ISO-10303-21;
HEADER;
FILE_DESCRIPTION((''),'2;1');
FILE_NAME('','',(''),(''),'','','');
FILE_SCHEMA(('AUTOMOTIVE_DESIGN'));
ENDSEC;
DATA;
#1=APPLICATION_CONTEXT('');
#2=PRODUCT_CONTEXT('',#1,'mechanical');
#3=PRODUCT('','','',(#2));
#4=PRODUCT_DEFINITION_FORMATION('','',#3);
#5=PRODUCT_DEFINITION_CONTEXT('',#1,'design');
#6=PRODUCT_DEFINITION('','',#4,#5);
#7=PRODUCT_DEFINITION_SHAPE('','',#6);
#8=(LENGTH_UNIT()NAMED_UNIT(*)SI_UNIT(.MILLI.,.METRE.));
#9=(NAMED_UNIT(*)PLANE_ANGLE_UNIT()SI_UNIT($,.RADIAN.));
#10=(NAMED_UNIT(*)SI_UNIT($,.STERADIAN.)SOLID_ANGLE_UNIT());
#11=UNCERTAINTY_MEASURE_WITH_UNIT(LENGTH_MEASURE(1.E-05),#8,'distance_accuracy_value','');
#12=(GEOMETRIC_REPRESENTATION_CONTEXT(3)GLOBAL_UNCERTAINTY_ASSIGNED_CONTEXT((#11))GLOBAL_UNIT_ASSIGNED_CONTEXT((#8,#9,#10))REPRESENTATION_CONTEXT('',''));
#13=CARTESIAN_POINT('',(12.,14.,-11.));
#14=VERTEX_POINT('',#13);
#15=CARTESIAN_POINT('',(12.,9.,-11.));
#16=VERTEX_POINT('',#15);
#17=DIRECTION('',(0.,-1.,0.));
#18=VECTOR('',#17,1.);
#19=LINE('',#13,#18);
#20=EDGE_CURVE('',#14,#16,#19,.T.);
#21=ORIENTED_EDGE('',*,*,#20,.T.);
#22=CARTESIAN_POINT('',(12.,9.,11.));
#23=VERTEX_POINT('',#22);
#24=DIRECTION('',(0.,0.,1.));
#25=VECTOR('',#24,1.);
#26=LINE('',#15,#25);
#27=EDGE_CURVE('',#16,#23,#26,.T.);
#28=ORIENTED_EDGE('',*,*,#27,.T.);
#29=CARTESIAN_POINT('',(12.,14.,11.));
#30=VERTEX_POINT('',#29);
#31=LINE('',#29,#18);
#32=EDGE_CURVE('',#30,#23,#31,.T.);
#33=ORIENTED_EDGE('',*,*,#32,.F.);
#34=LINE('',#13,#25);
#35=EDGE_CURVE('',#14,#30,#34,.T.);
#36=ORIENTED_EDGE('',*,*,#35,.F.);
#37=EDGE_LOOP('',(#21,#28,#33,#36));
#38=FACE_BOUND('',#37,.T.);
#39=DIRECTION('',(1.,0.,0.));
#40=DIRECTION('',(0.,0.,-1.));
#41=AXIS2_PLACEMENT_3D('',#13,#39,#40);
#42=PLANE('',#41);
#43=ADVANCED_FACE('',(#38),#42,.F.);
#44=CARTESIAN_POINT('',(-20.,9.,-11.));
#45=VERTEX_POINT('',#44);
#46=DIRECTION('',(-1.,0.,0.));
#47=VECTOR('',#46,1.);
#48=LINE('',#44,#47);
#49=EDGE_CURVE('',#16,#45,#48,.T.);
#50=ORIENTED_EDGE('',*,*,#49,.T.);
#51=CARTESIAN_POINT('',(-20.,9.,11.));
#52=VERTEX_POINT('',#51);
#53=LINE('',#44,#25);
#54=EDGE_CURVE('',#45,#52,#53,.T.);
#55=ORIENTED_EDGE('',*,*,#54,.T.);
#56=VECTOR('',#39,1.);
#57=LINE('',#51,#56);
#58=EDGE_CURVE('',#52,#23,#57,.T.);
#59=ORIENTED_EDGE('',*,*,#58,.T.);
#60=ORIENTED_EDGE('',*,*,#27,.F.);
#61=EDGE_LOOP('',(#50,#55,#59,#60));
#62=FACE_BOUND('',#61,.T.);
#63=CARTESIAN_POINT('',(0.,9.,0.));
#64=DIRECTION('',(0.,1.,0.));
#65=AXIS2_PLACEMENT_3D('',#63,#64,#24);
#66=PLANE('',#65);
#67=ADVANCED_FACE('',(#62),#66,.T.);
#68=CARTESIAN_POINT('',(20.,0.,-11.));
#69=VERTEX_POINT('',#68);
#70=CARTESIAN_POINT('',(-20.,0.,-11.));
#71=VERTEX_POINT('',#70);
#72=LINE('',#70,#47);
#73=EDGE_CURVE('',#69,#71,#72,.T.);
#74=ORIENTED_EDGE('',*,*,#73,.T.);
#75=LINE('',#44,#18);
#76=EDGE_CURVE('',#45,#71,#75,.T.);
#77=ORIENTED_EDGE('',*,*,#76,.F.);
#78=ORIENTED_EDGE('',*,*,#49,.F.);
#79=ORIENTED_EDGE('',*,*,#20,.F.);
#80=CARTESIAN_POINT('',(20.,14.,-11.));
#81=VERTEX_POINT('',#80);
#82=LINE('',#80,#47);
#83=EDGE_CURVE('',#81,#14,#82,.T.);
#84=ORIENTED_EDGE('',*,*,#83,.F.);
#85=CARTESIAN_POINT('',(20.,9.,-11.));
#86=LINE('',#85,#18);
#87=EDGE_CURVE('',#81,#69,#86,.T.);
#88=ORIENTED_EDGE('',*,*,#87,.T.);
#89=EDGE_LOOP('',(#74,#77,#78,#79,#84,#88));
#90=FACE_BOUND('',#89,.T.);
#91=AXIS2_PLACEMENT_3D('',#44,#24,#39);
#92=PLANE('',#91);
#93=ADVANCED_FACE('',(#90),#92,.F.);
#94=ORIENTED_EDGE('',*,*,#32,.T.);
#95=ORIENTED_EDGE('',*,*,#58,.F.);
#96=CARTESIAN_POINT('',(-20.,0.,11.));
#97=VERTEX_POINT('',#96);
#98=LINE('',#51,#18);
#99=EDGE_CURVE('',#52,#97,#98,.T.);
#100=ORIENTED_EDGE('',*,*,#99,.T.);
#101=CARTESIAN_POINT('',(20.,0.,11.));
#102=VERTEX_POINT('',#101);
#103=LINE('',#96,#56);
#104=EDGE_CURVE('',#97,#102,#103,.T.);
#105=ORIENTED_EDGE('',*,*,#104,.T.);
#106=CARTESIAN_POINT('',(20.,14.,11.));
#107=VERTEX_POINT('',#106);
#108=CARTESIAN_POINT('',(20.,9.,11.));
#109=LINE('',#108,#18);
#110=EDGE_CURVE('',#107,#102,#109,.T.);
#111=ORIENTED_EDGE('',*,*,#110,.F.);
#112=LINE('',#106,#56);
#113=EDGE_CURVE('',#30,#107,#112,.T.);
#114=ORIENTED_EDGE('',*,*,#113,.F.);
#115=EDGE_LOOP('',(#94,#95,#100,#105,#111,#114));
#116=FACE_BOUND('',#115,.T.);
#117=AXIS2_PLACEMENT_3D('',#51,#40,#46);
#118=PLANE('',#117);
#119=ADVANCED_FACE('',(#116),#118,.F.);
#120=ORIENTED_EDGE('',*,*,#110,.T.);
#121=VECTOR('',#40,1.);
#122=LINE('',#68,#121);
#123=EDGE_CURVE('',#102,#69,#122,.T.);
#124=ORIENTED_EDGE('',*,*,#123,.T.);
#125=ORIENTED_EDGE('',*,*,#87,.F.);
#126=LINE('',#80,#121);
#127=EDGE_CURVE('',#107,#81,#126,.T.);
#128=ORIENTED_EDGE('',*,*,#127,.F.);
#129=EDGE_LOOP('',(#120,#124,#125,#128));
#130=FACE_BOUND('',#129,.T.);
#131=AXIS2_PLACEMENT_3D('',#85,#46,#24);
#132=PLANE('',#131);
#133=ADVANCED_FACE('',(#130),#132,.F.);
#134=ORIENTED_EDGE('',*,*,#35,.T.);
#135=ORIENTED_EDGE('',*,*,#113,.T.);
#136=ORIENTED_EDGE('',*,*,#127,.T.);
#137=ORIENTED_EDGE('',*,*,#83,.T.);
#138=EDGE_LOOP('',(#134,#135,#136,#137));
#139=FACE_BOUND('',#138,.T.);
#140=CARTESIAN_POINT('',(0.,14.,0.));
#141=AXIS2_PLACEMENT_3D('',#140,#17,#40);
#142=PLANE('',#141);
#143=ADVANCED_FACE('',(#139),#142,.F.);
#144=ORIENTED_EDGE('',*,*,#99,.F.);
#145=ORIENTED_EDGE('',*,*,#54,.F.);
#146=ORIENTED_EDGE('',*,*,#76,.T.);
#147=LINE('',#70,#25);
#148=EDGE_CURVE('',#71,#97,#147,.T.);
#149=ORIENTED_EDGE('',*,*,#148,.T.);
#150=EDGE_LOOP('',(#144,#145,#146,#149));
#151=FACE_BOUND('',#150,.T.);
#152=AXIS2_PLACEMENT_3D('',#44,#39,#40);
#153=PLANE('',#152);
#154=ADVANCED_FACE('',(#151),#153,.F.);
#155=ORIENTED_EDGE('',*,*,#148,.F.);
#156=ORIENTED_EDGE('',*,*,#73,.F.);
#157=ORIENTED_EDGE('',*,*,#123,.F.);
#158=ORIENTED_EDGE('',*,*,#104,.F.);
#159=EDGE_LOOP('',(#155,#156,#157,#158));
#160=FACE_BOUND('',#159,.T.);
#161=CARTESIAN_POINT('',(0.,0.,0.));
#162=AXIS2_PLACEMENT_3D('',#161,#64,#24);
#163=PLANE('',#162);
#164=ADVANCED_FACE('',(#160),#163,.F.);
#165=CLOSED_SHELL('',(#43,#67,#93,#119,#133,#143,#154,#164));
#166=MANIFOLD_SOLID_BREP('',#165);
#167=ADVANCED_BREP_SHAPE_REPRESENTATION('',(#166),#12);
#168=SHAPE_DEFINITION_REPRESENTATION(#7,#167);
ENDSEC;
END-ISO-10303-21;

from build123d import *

# Parameters (mm, degrees)
SKETCH_1_W      = 40
SKETCH_1_H      = 22
EXTRUDE_1_DEPTH = 9
SKETCH_2_W      = 8
SKETCH_2_H      = 22
EXTRUDE_2_DEPTH = 5


with BuildPart() as part:
    # Эскиз1 → Бобышка-Вытянуть1 (new body)
    with BuildSketch(Plane(origin=(0, 0, 0), x_dir=(1, 0, 0), z_dir=(0, 1, 0))):
        Rectangle(SKETCH_1_W, SKETCH_1_H)
    extrude(amount=EXTRUDE_1_DEPTH)

    # Эскиз2 → Бобышка-Вытянуть2 (add)
    with BuildSketch(Plane(origin=(0, 9, 0), x_dir=(1, 0, 0), z_dir=(0, 1, 0))):
        with Locations((16, 0)):
            Rectangle(SKETCH_2_W, SKETCH_2_H)
    extrude(amount=EXTRUDE_2_DEPTH)


solid = part.part
